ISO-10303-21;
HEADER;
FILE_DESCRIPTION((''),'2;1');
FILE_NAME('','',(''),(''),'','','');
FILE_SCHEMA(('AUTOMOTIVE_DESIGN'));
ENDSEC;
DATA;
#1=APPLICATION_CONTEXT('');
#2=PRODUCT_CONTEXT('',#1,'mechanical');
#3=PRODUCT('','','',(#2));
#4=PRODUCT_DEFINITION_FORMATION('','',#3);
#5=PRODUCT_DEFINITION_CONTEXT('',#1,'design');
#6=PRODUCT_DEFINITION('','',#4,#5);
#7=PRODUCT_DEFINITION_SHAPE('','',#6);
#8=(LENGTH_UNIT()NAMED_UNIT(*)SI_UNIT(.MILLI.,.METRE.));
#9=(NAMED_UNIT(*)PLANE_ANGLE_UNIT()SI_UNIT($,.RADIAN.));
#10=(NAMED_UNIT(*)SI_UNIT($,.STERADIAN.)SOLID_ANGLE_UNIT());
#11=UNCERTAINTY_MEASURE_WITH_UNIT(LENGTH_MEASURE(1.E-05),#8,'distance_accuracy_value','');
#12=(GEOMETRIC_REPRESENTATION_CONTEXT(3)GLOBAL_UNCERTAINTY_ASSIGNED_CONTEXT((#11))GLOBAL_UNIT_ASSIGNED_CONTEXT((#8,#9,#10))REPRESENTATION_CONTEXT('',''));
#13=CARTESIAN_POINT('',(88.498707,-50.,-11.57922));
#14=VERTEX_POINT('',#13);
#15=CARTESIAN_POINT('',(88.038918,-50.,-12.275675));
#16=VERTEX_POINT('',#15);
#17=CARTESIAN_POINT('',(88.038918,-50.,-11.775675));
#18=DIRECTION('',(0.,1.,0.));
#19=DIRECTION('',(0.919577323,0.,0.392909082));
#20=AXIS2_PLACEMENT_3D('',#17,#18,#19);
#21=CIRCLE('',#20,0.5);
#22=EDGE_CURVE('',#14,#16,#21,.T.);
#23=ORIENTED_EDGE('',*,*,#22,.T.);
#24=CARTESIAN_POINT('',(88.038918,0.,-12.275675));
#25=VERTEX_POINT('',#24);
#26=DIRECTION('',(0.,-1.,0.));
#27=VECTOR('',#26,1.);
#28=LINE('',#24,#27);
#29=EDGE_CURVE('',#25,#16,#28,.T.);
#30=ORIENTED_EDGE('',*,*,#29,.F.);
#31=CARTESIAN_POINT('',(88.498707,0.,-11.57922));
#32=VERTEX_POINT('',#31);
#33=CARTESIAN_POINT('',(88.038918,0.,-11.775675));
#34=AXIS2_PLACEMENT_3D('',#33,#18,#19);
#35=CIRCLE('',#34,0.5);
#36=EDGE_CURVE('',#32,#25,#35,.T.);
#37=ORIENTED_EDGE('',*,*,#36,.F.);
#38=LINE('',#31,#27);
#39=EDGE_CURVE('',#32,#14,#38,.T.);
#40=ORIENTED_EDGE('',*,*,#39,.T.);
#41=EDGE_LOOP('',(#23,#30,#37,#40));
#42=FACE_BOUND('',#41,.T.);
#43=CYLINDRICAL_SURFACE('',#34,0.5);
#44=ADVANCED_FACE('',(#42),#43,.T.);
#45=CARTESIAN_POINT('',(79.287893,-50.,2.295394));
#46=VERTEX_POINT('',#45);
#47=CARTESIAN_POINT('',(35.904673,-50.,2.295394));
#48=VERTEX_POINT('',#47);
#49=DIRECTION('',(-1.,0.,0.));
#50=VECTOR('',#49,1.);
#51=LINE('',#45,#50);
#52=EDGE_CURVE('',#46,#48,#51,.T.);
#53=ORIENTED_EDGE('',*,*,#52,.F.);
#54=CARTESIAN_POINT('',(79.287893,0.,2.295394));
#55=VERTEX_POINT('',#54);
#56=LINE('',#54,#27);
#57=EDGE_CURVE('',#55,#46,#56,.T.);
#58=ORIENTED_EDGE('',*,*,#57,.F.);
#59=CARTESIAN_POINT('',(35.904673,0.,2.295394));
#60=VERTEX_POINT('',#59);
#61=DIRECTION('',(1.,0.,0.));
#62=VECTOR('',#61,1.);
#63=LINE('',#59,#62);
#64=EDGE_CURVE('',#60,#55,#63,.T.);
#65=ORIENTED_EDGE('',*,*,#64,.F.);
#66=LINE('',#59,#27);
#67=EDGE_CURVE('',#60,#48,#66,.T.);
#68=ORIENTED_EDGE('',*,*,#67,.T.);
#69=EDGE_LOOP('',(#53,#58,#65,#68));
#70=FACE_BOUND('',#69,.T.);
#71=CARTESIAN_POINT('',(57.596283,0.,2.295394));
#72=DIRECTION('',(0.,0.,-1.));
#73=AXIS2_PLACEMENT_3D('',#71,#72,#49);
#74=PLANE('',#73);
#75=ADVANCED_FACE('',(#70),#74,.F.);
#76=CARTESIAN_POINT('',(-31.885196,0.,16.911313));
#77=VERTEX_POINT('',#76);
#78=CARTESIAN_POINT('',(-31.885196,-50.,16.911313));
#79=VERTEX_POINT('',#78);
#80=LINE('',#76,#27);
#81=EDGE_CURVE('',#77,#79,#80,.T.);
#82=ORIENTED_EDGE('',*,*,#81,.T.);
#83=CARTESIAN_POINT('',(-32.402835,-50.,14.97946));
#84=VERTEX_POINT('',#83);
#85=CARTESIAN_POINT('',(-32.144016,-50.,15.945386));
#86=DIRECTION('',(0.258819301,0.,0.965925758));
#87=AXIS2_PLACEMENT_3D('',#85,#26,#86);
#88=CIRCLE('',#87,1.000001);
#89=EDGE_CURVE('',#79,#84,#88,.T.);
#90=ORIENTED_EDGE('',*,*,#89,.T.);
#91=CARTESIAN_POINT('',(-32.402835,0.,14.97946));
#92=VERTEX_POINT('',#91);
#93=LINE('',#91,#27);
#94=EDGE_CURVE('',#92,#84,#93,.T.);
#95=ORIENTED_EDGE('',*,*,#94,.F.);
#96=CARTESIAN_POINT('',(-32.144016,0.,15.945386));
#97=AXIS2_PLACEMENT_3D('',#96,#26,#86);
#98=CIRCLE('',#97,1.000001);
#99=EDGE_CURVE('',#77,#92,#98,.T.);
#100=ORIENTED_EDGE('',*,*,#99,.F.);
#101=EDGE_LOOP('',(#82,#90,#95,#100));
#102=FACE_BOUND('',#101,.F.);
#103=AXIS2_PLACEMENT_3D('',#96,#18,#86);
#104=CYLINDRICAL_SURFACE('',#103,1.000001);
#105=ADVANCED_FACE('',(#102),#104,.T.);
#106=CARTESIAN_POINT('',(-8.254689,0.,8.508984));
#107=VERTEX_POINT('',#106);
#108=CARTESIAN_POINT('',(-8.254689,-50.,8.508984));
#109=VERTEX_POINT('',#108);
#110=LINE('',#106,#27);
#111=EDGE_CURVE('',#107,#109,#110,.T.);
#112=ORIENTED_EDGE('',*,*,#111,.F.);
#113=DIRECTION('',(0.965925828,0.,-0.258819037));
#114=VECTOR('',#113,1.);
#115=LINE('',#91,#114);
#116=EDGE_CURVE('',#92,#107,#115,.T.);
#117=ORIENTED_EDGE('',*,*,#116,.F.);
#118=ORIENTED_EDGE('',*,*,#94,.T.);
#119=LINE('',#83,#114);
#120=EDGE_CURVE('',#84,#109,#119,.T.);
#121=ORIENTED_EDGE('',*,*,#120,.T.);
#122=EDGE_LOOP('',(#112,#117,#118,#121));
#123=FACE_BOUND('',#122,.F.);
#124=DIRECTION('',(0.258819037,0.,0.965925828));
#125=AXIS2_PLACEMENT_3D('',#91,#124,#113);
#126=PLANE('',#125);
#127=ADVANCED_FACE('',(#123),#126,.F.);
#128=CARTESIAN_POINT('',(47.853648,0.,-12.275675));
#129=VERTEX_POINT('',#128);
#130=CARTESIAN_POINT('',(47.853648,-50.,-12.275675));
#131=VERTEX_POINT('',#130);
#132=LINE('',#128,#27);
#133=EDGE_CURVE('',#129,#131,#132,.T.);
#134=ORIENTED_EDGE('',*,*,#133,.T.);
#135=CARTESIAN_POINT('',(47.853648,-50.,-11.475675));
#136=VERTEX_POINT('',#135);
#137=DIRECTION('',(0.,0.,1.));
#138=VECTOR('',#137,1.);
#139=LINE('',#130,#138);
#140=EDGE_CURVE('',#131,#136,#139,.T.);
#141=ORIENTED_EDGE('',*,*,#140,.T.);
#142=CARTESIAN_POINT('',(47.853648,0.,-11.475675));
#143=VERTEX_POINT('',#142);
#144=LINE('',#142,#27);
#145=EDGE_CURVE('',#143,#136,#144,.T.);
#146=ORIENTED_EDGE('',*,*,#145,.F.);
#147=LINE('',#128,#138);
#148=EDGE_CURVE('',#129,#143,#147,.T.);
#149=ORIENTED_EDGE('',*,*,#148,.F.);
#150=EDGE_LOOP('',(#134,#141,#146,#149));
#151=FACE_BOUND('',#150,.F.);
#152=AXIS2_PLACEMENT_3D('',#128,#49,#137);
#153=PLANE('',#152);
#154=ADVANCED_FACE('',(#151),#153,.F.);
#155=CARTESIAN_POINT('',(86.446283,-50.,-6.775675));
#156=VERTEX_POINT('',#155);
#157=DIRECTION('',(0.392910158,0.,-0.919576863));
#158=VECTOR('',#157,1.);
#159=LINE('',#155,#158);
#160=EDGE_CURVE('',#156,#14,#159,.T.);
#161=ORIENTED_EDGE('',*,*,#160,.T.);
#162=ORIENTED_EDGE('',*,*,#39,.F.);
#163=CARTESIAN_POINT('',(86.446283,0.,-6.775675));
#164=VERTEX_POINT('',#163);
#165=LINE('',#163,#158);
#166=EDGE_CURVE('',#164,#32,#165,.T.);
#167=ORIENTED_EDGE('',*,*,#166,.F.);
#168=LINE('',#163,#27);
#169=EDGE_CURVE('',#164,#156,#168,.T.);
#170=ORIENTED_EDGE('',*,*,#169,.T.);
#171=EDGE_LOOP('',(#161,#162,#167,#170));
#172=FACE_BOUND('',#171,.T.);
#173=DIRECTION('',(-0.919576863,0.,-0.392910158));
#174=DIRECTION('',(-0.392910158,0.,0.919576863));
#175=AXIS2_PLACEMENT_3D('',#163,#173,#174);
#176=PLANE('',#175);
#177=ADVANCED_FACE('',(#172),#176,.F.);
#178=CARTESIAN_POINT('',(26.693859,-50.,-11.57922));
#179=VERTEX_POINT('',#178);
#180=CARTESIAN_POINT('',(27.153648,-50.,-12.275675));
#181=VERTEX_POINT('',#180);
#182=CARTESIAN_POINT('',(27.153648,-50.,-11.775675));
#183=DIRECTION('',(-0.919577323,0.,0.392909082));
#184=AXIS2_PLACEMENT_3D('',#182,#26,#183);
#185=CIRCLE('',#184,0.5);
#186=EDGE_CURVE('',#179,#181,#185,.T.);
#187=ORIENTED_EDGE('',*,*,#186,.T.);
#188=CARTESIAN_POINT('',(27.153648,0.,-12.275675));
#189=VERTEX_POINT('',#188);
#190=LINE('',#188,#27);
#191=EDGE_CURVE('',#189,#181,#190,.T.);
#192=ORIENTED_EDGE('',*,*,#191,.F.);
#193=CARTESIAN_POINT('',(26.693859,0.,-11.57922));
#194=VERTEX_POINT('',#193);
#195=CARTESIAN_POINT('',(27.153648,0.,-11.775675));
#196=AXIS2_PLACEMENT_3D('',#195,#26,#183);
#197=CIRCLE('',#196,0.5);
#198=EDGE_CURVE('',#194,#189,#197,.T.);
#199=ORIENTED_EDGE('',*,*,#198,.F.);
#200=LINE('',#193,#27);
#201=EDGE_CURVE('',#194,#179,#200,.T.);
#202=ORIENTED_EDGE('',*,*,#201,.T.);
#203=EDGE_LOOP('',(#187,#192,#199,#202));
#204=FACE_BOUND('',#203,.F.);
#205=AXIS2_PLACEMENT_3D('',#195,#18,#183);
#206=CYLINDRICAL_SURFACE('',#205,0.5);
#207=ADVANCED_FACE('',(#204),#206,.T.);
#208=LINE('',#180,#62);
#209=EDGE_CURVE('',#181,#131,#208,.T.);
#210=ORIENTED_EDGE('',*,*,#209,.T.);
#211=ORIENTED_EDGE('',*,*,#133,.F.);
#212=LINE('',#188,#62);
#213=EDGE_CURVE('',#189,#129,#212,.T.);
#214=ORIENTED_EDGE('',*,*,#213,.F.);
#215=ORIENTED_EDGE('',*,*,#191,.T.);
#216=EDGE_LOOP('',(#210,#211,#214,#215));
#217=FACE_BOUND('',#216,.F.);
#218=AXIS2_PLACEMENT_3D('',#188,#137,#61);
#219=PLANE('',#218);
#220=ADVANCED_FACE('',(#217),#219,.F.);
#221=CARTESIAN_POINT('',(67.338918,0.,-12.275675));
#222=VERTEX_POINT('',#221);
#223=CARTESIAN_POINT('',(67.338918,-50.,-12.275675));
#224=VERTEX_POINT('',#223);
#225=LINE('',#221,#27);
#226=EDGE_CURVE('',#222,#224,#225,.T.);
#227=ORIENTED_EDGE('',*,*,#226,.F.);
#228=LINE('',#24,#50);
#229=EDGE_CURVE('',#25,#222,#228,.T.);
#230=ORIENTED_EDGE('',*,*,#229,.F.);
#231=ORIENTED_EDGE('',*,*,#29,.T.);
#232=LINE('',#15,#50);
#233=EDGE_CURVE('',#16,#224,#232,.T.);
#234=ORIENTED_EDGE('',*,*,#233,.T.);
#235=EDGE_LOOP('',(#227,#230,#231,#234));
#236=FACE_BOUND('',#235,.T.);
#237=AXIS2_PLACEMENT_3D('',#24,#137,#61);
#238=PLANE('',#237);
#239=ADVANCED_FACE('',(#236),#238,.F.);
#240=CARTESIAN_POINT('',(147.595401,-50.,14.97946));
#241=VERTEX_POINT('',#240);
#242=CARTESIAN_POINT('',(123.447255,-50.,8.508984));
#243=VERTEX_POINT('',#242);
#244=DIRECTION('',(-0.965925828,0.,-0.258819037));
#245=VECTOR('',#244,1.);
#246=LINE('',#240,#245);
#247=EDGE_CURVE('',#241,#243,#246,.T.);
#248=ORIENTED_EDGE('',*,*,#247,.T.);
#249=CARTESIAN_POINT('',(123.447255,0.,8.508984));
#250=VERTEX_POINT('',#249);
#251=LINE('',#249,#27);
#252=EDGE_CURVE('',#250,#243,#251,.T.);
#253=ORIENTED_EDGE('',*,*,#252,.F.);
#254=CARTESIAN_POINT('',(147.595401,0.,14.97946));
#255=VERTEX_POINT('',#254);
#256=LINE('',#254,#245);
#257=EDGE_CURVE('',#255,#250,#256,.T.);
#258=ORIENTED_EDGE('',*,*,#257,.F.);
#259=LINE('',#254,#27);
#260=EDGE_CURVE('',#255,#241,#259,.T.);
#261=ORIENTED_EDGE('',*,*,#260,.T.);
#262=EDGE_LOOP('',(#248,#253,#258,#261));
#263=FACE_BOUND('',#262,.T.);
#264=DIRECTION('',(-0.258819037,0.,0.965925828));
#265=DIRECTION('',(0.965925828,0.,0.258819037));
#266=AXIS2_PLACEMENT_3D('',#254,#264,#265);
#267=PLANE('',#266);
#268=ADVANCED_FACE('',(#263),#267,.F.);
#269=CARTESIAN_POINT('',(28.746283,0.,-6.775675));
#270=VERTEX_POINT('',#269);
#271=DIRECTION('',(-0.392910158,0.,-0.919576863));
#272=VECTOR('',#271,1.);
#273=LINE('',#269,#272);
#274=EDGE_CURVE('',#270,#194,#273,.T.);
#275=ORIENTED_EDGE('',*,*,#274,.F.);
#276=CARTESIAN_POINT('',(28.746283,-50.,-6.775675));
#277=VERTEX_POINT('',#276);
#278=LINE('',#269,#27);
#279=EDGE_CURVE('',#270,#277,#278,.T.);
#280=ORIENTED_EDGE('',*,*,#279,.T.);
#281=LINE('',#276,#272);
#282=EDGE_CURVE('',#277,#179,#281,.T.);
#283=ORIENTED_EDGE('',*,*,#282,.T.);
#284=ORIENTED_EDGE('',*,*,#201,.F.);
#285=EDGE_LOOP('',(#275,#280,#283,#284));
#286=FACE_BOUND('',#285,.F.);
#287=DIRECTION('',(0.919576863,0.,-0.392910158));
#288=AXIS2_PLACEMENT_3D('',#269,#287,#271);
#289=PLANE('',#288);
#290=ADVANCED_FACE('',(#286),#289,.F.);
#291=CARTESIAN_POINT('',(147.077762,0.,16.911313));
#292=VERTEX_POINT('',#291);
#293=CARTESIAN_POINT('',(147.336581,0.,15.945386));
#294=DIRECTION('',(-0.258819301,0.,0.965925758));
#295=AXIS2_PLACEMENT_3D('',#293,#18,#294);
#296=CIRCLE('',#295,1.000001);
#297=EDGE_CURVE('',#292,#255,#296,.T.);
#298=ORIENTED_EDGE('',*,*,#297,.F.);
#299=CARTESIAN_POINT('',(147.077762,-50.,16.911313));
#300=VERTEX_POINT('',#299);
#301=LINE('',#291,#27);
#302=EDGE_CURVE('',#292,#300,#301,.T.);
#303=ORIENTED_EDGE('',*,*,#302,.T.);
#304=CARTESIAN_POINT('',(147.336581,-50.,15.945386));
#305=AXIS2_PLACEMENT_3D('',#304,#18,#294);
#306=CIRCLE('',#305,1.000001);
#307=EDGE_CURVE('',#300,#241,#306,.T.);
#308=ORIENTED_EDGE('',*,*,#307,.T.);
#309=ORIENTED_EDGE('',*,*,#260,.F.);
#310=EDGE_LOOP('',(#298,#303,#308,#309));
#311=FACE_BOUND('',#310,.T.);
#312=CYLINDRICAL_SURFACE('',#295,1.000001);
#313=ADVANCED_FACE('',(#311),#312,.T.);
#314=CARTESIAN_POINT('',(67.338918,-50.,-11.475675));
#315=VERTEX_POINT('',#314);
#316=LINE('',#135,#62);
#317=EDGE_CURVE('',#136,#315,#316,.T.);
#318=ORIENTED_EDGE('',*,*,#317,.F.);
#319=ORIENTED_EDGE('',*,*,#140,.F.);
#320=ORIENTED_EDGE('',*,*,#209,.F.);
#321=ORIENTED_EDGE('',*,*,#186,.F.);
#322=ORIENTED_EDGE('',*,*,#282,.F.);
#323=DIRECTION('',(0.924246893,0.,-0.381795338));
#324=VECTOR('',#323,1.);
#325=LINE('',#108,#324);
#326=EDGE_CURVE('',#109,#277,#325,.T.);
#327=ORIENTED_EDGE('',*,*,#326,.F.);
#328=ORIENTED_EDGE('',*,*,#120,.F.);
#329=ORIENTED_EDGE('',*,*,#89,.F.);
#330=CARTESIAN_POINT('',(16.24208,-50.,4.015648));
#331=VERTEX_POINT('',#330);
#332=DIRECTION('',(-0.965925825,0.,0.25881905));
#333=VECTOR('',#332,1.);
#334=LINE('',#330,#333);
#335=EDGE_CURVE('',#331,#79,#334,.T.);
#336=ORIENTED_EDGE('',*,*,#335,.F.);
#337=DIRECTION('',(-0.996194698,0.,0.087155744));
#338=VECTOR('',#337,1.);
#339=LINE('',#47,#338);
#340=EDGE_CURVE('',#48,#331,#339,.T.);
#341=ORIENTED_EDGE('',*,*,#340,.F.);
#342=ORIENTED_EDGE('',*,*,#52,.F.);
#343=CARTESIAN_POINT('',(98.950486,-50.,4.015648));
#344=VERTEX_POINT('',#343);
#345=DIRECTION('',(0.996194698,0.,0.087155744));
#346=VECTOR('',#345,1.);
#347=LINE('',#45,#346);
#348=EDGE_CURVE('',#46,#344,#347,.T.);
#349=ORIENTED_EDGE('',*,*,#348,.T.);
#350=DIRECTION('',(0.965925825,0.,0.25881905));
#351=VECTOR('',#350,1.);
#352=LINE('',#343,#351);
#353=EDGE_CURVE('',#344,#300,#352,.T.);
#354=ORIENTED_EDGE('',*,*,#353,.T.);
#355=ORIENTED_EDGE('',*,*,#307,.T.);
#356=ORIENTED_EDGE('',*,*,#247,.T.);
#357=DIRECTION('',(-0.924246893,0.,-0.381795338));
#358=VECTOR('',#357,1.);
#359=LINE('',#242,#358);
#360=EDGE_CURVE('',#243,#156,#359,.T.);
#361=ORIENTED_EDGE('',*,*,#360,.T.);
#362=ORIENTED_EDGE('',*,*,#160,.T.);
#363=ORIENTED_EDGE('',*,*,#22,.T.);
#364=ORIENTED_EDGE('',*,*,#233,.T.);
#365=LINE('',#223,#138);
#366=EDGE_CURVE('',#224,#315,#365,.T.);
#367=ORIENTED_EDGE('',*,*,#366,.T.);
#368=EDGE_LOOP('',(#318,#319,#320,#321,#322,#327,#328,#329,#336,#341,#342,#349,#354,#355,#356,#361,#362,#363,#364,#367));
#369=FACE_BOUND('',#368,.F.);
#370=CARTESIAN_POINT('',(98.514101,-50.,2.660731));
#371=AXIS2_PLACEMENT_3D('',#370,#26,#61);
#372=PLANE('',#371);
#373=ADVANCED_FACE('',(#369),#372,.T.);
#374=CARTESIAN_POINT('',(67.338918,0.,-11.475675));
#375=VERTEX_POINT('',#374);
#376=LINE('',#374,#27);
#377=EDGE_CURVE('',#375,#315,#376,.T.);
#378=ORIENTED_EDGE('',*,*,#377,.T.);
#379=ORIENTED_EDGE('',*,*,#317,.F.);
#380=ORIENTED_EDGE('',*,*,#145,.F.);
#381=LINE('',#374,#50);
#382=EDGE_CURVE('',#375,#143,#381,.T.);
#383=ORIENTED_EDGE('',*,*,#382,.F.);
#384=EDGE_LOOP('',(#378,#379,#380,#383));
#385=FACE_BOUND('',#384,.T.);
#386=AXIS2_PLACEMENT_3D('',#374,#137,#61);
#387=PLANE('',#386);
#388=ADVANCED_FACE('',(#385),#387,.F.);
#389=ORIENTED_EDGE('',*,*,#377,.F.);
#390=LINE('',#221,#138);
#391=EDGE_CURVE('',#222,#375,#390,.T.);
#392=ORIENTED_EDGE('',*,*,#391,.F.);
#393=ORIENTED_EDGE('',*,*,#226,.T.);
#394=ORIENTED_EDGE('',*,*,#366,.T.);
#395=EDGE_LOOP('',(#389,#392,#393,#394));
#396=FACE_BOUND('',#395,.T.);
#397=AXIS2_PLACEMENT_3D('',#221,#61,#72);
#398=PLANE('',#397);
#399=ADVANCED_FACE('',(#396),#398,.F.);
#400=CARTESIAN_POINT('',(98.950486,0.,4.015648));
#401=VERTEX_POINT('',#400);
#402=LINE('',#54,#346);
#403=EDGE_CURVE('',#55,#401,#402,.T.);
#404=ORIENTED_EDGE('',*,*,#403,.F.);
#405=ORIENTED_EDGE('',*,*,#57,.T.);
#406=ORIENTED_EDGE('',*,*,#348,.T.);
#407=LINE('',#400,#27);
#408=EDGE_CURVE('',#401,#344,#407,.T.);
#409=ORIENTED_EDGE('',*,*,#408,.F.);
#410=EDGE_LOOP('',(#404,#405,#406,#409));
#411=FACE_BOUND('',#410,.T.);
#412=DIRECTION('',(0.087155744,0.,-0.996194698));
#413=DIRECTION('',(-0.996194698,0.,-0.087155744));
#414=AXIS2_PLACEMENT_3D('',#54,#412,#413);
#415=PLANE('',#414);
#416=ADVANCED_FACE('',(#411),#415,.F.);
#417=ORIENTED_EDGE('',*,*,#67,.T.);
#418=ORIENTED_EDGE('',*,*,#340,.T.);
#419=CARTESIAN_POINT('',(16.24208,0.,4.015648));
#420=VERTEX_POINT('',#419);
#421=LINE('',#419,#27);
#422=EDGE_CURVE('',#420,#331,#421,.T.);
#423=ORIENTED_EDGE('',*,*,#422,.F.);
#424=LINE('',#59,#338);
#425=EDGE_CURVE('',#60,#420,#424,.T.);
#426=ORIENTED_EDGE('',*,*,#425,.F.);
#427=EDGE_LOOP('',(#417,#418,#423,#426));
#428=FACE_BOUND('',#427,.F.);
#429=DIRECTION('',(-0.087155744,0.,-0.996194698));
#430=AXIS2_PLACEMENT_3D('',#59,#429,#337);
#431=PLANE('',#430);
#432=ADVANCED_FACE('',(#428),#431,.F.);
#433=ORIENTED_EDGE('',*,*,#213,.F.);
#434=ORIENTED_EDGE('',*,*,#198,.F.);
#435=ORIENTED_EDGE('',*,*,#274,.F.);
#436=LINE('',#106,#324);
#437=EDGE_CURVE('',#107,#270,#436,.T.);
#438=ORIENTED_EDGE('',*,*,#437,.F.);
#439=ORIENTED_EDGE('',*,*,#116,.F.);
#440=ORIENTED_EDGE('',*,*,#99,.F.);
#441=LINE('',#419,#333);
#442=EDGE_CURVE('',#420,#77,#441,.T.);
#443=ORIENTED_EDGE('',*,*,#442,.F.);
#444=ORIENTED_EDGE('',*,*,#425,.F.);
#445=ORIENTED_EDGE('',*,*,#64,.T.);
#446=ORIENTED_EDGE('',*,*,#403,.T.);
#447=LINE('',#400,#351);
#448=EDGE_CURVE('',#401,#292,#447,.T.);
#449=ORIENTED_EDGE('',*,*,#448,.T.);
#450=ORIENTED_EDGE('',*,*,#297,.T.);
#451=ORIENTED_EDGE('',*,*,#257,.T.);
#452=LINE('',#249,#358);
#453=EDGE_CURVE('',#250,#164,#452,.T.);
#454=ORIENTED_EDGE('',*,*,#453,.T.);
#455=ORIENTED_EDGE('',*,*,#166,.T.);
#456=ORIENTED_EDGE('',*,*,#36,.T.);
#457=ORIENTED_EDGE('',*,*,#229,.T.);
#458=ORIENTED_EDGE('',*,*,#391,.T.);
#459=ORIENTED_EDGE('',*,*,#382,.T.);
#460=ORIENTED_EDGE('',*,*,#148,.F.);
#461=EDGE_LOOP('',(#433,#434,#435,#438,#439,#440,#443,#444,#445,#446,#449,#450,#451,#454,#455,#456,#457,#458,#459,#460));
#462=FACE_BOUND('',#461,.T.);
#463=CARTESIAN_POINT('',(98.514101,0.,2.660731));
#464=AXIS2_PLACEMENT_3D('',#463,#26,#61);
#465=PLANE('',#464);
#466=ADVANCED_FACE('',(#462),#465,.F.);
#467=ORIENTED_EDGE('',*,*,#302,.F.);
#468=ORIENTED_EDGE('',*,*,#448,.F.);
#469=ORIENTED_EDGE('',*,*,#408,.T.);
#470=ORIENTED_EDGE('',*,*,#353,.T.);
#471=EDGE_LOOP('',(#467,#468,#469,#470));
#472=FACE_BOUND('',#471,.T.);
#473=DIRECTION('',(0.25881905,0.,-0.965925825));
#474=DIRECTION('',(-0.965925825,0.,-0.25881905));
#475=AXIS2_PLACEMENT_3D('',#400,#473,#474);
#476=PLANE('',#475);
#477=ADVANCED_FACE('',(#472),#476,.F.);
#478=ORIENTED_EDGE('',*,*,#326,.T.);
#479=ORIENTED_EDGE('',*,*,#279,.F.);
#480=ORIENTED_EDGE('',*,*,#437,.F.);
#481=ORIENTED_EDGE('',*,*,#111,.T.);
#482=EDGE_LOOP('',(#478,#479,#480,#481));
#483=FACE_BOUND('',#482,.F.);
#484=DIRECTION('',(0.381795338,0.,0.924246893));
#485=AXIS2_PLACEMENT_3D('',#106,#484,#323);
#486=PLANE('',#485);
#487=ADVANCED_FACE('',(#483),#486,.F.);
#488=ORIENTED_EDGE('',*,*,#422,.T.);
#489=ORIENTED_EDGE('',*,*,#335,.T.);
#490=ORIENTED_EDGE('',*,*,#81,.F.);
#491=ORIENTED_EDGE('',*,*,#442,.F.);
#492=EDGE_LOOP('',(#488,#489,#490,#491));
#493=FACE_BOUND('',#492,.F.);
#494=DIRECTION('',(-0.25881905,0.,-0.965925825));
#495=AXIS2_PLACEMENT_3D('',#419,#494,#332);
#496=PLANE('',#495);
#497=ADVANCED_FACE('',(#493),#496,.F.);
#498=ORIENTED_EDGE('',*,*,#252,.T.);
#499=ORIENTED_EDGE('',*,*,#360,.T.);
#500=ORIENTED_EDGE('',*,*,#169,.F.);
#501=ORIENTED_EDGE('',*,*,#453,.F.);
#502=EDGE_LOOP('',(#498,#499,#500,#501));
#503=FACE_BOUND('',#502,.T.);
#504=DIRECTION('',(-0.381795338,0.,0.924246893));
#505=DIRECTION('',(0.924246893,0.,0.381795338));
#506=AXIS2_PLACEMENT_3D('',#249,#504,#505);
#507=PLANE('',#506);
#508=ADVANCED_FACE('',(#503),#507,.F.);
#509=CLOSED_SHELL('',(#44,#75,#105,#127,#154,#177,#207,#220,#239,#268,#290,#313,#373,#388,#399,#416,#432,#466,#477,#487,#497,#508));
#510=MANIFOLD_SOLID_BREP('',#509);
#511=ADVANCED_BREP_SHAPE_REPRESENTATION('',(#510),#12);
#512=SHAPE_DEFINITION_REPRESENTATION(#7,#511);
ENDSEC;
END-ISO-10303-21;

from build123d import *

# Parameters (mm, degrees)
F1_DEPTH = 50


with BuildPart() as f1:
    # F0 (on Front) → F1 (new body)
    with BuildSketch(Plane.XZ):
        with BuildLine():
            Line((28.746283, -6.775675), (26.693859, -11.57922))
            ThreePointArc((26.693859, -11.57922), (26.736378, -12.051149), (27.153648, -12.275675))
            Line((27.153648, -12.275675), (47.853648, -12.275675))
            Line((47.853648, -12.275675), (47.853648, -11.475675))
            Line((47.853648, -11.475675), (57.596283, -11.475675))
            Line((57.596283, -11.475675), (57.596283, 2.295394))
            Line((57.596283, 2.295394), (35.904673, 2.295394))
            Line((35.904673, 2.295394), (16.24208, 4.015648))
            Line((16.24208, 4.015648), (-31.885196, 16.911313))
            ThreePointArc((-31.885196, 16.911313), (-33.109942, 16.204206), (-32.402835, 14.97946))
            Line((-32.402835, 14.97946), (-8.254689, 8.508984))
            Line((-8.254689, 8.508984), (15.893457, 2.038508))
            Line((15.893457, 2.038508), (35.817351, 0.295393))
            Line((35.817351, 0.295393), (28.746283, -6.775675))
        make_face()
        Polygon((-8.254689, 8.508984), (28.746283, -6.775675), (35.817351, 0.295393), (15.893457, 2.038508), align=None)
    extrude(amount=F1_DEPTH)

    # F2: F1 across face


with BuildPart() as f1_1:
    add(f1.part)
    add(f1.part.mirror(Plane(origin=(57.596283, -25, -4.59014), x_dir=(0, 1, 0), z_dir=(1, 0, 0))))


solid = f1_1.part
